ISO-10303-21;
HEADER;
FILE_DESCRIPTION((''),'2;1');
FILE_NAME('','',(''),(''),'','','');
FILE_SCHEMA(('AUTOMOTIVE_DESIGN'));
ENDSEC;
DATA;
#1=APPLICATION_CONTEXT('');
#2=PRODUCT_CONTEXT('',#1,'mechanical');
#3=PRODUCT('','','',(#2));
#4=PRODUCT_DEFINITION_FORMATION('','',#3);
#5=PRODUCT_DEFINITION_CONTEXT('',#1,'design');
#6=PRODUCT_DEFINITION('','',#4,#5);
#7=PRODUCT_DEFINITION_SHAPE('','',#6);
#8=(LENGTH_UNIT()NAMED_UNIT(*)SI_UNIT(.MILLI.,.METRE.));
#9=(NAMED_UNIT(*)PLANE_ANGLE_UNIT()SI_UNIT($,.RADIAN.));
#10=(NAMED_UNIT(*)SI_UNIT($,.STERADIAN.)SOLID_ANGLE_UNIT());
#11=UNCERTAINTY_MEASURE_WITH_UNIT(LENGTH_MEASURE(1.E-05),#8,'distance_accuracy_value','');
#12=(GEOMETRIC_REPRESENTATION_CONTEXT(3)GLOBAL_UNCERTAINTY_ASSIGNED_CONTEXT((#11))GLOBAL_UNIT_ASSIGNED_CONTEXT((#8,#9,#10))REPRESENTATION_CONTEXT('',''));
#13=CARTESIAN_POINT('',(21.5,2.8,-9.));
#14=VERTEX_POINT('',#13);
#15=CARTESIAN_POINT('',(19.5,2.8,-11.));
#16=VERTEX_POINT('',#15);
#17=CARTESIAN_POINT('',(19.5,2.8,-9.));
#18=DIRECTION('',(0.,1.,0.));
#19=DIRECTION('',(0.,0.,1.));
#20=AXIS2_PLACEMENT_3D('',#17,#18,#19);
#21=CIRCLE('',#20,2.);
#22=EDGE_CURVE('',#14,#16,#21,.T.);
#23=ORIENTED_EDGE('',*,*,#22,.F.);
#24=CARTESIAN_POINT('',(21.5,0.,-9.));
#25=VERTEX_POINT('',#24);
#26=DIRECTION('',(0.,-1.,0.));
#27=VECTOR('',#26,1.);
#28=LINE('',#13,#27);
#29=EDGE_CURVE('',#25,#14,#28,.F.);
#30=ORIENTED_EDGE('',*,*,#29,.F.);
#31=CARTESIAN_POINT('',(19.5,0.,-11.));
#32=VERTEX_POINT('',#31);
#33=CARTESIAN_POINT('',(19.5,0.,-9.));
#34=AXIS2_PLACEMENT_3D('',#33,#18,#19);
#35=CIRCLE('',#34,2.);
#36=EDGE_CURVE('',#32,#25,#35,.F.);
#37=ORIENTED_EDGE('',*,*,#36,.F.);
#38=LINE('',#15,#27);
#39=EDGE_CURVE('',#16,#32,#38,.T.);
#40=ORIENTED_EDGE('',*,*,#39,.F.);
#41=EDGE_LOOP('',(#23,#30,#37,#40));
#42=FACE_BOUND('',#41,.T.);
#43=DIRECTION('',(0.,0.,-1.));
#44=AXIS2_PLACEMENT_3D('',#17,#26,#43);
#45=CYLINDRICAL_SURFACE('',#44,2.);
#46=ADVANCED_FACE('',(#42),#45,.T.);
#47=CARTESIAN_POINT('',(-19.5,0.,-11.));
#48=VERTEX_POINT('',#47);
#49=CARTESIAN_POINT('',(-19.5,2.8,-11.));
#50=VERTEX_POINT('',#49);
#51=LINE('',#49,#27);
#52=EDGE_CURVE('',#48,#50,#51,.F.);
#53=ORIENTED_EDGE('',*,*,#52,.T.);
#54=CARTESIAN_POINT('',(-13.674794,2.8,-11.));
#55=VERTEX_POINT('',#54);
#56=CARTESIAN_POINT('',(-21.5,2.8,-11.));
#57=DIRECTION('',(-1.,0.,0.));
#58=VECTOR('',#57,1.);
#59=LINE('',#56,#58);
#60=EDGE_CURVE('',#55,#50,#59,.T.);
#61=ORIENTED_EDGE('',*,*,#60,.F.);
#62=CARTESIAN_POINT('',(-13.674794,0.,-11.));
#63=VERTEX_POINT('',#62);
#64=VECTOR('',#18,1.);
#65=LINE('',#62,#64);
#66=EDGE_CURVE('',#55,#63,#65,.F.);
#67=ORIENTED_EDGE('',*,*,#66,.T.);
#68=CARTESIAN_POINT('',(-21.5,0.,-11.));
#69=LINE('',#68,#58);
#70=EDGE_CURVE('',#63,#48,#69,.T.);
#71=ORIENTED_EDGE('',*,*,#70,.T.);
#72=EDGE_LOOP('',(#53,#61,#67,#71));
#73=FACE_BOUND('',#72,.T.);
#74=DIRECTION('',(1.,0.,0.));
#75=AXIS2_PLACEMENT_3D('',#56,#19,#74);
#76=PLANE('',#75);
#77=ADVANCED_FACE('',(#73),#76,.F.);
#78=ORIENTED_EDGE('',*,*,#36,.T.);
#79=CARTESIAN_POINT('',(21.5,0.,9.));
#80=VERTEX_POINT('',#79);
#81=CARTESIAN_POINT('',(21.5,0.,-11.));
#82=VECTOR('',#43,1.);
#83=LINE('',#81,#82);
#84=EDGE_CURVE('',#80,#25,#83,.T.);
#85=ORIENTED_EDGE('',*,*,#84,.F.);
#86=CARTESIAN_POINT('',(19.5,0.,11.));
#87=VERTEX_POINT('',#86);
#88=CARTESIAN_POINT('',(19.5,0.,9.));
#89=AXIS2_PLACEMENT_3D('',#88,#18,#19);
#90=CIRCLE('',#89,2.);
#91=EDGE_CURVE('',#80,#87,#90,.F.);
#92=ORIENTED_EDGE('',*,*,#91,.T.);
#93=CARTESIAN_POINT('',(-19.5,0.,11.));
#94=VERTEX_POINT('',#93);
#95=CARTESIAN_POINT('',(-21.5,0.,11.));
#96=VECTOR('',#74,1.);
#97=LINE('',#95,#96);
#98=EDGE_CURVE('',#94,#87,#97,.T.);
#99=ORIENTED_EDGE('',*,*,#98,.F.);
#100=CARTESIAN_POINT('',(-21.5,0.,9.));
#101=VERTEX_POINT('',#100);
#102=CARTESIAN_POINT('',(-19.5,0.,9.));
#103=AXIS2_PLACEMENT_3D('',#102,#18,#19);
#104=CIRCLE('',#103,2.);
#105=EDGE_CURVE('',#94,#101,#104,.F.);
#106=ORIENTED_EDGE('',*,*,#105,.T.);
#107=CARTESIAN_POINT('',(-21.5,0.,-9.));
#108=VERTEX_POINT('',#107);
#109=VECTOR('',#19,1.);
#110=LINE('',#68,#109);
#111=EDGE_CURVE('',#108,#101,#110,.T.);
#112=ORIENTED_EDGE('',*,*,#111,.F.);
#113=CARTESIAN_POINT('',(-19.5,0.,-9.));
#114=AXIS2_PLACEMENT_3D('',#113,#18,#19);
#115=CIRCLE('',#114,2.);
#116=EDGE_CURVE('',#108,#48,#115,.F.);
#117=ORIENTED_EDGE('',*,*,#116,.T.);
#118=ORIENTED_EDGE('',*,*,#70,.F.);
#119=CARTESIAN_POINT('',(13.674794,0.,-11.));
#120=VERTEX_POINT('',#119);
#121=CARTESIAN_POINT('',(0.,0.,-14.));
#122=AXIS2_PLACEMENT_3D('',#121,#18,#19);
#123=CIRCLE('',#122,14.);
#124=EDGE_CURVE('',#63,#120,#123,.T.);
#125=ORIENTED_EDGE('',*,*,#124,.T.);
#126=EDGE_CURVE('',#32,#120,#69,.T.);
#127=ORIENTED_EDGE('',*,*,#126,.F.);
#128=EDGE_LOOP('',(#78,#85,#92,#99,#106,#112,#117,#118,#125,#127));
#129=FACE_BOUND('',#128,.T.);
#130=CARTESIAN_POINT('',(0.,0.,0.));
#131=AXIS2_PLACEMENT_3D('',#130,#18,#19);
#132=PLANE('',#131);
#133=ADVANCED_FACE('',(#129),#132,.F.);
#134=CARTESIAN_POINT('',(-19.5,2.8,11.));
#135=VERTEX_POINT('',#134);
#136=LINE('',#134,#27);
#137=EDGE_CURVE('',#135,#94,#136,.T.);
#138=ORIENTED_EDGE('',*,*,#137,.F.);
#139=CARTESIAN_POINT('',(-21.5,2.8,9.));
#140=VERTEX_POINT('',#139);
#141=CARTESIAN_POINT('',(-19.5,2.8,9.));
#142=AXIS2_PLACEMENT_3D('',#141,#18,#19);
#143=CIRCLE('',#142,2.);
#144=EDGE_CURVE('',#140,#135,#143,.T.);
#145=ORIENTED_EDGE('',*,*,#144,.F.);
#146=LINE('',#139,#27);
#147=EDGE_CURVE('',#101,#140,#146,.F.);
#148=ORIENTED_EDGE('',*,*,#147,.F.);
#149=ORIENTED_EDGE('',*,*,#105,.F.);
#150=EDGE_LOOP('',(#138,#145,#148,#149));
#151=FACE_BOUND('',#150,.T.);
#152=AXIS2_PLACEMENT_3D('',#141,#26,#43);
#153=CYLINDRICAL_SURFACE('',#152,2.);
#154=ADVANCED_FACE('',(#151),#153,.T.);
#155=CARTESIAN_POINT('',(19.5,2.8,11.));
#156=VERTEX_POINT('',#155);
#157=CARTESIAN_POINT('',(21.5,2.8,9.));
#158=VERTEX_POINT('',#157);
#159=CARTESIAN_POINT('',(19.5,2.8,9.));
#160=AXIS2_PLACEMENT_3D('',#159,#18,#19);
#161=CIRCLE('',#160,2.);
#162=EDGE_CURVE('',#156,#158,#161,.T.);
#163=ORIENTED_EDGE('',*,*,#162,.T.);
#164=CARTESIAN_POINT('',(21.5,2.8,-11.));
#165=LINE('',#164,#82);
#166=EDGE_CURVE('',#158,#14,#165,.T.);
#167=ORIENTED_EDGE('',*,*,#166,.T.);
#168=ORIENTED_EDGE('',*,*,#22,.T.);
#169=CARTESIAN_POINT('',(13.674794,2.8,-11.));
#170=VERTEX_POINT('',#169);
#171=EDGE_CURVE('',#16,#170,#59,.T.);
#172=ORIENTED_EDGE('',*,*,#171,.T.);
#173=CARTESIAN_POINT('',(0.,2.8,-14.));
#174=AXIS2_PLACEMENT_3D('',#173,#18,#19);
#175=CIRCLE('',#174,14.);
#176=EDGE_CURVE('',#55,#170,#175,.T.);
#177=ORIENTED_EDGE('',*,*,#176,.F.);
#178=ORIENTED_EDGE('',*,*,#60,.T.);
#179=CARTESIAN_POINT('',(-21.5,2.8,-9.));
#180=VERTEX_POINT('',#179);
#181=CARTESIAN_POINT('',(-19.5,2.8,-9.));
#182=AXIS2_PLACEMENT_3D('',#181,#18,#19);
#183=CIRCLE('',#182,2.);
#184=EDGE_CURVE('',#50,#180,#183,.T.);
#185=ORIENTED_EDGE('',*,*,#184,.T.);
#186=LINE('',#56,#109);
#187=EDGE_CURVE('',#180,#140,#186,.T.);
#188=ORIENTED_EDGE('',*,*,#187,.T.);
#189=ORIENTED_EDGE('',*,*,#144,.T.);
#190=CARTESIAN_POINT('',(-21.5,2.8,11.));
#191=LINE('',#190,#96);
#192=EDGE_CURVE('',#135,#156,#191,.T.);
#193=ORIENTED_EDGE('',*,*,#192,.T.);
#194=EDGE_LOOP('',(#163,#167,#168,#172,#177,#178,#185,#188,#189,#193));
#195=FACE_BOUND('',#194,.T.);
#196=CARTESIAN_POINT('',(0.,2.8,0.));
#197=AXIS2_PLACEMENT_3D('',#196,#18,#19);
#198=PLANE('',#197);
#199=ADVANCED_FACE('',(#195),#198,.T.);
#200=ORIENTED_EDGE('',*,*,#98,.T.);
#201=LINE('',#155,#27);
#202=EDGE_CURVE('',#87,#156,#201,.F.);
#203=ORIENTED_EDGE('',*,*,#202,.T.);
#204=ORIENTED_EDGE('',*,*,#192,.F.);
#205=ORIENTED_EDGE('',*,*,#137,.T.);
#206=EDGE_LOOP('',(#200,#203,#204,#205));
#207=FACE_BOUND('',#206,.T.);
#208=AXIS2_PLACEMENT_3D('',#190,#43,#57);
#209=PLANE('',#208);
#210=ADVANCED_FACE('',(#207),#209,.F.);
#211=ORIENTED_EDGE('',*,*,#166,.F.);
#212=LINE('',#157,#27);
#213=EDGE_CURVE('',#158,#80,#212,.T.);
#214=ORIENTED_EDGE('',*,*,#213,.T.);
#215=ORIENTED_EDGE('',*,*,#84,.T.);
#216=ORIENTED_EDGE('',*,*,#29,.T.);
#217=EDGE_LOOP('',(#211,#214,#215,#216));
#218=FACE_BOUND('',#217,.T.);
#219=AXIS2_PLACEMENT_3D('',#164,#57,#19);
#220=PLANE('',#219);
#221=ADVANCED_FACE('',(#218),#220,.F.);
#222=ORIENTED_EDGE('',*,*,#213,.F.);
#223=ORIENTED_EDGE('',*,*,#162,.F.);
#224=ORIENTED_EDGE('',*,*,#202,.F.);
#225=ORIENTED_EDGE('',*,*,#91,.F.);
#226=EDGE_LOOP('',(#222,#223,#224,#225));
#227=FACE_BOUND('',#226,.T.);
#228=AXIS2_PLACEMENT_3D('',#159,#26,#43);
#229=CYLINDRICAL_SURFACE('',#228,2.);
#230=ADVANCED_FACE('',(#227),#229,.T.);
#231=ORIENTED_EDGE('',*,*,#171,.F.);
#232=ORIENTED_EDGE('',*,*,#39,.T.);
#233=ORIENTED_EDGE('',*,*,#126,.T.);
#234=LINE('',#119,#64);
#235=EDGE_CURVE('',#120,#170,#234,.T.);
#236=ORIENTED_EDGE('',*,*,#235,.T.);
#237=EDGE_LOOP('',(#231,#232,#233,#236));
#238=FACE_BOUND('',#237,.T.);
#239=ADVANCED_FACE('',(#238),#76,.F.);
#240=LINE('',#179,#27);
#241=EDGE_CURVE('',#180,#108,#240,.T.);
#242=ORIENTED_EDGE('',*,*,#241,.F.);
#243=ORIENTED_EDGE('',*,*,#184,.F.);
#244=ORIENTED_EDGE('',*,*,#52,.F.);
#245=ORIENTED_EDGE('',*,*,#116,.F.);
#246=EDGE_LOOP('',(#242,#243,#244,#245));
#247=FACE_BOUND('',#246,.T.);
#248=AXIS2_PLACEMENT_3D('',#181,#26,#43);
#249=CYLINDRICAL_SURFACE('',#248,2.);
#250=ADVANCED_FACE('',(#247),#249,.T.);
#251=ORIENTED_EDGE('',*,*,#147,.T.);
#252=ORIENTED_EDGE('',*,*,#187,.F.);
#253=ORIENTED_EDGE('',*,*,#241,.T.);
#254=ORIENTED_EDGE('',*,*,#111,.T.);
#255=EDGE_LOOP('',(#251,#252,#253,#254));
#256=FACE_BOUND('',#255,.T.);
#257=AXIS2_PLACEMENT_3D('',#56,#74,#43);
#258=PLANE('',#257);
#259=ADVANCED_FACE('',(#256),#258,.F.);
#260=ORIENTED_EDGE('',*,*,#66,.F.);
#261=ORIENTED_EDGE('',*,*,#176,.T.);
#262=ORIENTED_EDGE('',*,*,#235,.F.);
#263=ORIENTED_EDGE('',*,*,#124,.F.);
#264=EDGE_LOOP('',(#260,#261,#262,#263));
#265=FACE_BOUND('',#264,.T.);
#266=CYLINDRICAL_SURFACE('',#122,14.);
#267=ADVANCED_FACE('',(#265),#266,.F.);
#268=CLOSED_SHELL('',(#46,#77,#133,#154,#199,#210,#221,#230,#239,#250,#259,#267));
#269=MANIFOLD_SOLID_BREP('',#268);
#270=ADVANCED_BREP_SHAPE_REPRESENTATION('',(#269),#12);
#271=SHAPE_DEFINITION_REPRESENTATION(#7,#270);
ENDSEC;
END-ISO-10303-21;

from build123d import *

# Parameters (mm, degrees)
SKETCH1_W           = 43
SKETCH1_H           = 22
BOSS_EXTRUDE1_DEPTH = 2.8
SKETCH2_R           = 14
CUT_EXTRUDE1_DEPTH  = 25.312342544
FILLET1_R           = 2


with BuildPart() as part:
    # Sketch1 → Boss-Extrude1 (new body)
    with BuildSketch(Plane(origin=(0, 0, 0), x_dir=(1, 0, 0), z_dir=(0, 1, 0))):
        Rectangle(SKETCH1_W, SKETCH1_H)
    extrude(amount=BOSS_EXTRUDE1_DEPTH)

    # Sketch2 → Cut-Extrude1 (cut, through all)
    with BuildSketch(Plane(origin=(0, 2.8, 0), x_dir=(1, 0, 0), z_dir=(0, 1, 0))):
        with Locations((0, 14)):
            Circle(SKETCH2_R)
    extrude(amount=-CUT_EXTRUDE1_DEPTH, mode=Mode.SUBTRACT)

    # Fillet1
    fillet1_edges = [part.edges().sort_by_distance(p)[0] for p in [
        (21.5, 1.4, 11),
        (-21.5, 1.4, 11),
        (-21.5, 1.4, -11),
        (21.5, 1.4, -11),
    ]]
    fillet(fillet1_edges, radius=FILLET1_R)


solid = part.part
